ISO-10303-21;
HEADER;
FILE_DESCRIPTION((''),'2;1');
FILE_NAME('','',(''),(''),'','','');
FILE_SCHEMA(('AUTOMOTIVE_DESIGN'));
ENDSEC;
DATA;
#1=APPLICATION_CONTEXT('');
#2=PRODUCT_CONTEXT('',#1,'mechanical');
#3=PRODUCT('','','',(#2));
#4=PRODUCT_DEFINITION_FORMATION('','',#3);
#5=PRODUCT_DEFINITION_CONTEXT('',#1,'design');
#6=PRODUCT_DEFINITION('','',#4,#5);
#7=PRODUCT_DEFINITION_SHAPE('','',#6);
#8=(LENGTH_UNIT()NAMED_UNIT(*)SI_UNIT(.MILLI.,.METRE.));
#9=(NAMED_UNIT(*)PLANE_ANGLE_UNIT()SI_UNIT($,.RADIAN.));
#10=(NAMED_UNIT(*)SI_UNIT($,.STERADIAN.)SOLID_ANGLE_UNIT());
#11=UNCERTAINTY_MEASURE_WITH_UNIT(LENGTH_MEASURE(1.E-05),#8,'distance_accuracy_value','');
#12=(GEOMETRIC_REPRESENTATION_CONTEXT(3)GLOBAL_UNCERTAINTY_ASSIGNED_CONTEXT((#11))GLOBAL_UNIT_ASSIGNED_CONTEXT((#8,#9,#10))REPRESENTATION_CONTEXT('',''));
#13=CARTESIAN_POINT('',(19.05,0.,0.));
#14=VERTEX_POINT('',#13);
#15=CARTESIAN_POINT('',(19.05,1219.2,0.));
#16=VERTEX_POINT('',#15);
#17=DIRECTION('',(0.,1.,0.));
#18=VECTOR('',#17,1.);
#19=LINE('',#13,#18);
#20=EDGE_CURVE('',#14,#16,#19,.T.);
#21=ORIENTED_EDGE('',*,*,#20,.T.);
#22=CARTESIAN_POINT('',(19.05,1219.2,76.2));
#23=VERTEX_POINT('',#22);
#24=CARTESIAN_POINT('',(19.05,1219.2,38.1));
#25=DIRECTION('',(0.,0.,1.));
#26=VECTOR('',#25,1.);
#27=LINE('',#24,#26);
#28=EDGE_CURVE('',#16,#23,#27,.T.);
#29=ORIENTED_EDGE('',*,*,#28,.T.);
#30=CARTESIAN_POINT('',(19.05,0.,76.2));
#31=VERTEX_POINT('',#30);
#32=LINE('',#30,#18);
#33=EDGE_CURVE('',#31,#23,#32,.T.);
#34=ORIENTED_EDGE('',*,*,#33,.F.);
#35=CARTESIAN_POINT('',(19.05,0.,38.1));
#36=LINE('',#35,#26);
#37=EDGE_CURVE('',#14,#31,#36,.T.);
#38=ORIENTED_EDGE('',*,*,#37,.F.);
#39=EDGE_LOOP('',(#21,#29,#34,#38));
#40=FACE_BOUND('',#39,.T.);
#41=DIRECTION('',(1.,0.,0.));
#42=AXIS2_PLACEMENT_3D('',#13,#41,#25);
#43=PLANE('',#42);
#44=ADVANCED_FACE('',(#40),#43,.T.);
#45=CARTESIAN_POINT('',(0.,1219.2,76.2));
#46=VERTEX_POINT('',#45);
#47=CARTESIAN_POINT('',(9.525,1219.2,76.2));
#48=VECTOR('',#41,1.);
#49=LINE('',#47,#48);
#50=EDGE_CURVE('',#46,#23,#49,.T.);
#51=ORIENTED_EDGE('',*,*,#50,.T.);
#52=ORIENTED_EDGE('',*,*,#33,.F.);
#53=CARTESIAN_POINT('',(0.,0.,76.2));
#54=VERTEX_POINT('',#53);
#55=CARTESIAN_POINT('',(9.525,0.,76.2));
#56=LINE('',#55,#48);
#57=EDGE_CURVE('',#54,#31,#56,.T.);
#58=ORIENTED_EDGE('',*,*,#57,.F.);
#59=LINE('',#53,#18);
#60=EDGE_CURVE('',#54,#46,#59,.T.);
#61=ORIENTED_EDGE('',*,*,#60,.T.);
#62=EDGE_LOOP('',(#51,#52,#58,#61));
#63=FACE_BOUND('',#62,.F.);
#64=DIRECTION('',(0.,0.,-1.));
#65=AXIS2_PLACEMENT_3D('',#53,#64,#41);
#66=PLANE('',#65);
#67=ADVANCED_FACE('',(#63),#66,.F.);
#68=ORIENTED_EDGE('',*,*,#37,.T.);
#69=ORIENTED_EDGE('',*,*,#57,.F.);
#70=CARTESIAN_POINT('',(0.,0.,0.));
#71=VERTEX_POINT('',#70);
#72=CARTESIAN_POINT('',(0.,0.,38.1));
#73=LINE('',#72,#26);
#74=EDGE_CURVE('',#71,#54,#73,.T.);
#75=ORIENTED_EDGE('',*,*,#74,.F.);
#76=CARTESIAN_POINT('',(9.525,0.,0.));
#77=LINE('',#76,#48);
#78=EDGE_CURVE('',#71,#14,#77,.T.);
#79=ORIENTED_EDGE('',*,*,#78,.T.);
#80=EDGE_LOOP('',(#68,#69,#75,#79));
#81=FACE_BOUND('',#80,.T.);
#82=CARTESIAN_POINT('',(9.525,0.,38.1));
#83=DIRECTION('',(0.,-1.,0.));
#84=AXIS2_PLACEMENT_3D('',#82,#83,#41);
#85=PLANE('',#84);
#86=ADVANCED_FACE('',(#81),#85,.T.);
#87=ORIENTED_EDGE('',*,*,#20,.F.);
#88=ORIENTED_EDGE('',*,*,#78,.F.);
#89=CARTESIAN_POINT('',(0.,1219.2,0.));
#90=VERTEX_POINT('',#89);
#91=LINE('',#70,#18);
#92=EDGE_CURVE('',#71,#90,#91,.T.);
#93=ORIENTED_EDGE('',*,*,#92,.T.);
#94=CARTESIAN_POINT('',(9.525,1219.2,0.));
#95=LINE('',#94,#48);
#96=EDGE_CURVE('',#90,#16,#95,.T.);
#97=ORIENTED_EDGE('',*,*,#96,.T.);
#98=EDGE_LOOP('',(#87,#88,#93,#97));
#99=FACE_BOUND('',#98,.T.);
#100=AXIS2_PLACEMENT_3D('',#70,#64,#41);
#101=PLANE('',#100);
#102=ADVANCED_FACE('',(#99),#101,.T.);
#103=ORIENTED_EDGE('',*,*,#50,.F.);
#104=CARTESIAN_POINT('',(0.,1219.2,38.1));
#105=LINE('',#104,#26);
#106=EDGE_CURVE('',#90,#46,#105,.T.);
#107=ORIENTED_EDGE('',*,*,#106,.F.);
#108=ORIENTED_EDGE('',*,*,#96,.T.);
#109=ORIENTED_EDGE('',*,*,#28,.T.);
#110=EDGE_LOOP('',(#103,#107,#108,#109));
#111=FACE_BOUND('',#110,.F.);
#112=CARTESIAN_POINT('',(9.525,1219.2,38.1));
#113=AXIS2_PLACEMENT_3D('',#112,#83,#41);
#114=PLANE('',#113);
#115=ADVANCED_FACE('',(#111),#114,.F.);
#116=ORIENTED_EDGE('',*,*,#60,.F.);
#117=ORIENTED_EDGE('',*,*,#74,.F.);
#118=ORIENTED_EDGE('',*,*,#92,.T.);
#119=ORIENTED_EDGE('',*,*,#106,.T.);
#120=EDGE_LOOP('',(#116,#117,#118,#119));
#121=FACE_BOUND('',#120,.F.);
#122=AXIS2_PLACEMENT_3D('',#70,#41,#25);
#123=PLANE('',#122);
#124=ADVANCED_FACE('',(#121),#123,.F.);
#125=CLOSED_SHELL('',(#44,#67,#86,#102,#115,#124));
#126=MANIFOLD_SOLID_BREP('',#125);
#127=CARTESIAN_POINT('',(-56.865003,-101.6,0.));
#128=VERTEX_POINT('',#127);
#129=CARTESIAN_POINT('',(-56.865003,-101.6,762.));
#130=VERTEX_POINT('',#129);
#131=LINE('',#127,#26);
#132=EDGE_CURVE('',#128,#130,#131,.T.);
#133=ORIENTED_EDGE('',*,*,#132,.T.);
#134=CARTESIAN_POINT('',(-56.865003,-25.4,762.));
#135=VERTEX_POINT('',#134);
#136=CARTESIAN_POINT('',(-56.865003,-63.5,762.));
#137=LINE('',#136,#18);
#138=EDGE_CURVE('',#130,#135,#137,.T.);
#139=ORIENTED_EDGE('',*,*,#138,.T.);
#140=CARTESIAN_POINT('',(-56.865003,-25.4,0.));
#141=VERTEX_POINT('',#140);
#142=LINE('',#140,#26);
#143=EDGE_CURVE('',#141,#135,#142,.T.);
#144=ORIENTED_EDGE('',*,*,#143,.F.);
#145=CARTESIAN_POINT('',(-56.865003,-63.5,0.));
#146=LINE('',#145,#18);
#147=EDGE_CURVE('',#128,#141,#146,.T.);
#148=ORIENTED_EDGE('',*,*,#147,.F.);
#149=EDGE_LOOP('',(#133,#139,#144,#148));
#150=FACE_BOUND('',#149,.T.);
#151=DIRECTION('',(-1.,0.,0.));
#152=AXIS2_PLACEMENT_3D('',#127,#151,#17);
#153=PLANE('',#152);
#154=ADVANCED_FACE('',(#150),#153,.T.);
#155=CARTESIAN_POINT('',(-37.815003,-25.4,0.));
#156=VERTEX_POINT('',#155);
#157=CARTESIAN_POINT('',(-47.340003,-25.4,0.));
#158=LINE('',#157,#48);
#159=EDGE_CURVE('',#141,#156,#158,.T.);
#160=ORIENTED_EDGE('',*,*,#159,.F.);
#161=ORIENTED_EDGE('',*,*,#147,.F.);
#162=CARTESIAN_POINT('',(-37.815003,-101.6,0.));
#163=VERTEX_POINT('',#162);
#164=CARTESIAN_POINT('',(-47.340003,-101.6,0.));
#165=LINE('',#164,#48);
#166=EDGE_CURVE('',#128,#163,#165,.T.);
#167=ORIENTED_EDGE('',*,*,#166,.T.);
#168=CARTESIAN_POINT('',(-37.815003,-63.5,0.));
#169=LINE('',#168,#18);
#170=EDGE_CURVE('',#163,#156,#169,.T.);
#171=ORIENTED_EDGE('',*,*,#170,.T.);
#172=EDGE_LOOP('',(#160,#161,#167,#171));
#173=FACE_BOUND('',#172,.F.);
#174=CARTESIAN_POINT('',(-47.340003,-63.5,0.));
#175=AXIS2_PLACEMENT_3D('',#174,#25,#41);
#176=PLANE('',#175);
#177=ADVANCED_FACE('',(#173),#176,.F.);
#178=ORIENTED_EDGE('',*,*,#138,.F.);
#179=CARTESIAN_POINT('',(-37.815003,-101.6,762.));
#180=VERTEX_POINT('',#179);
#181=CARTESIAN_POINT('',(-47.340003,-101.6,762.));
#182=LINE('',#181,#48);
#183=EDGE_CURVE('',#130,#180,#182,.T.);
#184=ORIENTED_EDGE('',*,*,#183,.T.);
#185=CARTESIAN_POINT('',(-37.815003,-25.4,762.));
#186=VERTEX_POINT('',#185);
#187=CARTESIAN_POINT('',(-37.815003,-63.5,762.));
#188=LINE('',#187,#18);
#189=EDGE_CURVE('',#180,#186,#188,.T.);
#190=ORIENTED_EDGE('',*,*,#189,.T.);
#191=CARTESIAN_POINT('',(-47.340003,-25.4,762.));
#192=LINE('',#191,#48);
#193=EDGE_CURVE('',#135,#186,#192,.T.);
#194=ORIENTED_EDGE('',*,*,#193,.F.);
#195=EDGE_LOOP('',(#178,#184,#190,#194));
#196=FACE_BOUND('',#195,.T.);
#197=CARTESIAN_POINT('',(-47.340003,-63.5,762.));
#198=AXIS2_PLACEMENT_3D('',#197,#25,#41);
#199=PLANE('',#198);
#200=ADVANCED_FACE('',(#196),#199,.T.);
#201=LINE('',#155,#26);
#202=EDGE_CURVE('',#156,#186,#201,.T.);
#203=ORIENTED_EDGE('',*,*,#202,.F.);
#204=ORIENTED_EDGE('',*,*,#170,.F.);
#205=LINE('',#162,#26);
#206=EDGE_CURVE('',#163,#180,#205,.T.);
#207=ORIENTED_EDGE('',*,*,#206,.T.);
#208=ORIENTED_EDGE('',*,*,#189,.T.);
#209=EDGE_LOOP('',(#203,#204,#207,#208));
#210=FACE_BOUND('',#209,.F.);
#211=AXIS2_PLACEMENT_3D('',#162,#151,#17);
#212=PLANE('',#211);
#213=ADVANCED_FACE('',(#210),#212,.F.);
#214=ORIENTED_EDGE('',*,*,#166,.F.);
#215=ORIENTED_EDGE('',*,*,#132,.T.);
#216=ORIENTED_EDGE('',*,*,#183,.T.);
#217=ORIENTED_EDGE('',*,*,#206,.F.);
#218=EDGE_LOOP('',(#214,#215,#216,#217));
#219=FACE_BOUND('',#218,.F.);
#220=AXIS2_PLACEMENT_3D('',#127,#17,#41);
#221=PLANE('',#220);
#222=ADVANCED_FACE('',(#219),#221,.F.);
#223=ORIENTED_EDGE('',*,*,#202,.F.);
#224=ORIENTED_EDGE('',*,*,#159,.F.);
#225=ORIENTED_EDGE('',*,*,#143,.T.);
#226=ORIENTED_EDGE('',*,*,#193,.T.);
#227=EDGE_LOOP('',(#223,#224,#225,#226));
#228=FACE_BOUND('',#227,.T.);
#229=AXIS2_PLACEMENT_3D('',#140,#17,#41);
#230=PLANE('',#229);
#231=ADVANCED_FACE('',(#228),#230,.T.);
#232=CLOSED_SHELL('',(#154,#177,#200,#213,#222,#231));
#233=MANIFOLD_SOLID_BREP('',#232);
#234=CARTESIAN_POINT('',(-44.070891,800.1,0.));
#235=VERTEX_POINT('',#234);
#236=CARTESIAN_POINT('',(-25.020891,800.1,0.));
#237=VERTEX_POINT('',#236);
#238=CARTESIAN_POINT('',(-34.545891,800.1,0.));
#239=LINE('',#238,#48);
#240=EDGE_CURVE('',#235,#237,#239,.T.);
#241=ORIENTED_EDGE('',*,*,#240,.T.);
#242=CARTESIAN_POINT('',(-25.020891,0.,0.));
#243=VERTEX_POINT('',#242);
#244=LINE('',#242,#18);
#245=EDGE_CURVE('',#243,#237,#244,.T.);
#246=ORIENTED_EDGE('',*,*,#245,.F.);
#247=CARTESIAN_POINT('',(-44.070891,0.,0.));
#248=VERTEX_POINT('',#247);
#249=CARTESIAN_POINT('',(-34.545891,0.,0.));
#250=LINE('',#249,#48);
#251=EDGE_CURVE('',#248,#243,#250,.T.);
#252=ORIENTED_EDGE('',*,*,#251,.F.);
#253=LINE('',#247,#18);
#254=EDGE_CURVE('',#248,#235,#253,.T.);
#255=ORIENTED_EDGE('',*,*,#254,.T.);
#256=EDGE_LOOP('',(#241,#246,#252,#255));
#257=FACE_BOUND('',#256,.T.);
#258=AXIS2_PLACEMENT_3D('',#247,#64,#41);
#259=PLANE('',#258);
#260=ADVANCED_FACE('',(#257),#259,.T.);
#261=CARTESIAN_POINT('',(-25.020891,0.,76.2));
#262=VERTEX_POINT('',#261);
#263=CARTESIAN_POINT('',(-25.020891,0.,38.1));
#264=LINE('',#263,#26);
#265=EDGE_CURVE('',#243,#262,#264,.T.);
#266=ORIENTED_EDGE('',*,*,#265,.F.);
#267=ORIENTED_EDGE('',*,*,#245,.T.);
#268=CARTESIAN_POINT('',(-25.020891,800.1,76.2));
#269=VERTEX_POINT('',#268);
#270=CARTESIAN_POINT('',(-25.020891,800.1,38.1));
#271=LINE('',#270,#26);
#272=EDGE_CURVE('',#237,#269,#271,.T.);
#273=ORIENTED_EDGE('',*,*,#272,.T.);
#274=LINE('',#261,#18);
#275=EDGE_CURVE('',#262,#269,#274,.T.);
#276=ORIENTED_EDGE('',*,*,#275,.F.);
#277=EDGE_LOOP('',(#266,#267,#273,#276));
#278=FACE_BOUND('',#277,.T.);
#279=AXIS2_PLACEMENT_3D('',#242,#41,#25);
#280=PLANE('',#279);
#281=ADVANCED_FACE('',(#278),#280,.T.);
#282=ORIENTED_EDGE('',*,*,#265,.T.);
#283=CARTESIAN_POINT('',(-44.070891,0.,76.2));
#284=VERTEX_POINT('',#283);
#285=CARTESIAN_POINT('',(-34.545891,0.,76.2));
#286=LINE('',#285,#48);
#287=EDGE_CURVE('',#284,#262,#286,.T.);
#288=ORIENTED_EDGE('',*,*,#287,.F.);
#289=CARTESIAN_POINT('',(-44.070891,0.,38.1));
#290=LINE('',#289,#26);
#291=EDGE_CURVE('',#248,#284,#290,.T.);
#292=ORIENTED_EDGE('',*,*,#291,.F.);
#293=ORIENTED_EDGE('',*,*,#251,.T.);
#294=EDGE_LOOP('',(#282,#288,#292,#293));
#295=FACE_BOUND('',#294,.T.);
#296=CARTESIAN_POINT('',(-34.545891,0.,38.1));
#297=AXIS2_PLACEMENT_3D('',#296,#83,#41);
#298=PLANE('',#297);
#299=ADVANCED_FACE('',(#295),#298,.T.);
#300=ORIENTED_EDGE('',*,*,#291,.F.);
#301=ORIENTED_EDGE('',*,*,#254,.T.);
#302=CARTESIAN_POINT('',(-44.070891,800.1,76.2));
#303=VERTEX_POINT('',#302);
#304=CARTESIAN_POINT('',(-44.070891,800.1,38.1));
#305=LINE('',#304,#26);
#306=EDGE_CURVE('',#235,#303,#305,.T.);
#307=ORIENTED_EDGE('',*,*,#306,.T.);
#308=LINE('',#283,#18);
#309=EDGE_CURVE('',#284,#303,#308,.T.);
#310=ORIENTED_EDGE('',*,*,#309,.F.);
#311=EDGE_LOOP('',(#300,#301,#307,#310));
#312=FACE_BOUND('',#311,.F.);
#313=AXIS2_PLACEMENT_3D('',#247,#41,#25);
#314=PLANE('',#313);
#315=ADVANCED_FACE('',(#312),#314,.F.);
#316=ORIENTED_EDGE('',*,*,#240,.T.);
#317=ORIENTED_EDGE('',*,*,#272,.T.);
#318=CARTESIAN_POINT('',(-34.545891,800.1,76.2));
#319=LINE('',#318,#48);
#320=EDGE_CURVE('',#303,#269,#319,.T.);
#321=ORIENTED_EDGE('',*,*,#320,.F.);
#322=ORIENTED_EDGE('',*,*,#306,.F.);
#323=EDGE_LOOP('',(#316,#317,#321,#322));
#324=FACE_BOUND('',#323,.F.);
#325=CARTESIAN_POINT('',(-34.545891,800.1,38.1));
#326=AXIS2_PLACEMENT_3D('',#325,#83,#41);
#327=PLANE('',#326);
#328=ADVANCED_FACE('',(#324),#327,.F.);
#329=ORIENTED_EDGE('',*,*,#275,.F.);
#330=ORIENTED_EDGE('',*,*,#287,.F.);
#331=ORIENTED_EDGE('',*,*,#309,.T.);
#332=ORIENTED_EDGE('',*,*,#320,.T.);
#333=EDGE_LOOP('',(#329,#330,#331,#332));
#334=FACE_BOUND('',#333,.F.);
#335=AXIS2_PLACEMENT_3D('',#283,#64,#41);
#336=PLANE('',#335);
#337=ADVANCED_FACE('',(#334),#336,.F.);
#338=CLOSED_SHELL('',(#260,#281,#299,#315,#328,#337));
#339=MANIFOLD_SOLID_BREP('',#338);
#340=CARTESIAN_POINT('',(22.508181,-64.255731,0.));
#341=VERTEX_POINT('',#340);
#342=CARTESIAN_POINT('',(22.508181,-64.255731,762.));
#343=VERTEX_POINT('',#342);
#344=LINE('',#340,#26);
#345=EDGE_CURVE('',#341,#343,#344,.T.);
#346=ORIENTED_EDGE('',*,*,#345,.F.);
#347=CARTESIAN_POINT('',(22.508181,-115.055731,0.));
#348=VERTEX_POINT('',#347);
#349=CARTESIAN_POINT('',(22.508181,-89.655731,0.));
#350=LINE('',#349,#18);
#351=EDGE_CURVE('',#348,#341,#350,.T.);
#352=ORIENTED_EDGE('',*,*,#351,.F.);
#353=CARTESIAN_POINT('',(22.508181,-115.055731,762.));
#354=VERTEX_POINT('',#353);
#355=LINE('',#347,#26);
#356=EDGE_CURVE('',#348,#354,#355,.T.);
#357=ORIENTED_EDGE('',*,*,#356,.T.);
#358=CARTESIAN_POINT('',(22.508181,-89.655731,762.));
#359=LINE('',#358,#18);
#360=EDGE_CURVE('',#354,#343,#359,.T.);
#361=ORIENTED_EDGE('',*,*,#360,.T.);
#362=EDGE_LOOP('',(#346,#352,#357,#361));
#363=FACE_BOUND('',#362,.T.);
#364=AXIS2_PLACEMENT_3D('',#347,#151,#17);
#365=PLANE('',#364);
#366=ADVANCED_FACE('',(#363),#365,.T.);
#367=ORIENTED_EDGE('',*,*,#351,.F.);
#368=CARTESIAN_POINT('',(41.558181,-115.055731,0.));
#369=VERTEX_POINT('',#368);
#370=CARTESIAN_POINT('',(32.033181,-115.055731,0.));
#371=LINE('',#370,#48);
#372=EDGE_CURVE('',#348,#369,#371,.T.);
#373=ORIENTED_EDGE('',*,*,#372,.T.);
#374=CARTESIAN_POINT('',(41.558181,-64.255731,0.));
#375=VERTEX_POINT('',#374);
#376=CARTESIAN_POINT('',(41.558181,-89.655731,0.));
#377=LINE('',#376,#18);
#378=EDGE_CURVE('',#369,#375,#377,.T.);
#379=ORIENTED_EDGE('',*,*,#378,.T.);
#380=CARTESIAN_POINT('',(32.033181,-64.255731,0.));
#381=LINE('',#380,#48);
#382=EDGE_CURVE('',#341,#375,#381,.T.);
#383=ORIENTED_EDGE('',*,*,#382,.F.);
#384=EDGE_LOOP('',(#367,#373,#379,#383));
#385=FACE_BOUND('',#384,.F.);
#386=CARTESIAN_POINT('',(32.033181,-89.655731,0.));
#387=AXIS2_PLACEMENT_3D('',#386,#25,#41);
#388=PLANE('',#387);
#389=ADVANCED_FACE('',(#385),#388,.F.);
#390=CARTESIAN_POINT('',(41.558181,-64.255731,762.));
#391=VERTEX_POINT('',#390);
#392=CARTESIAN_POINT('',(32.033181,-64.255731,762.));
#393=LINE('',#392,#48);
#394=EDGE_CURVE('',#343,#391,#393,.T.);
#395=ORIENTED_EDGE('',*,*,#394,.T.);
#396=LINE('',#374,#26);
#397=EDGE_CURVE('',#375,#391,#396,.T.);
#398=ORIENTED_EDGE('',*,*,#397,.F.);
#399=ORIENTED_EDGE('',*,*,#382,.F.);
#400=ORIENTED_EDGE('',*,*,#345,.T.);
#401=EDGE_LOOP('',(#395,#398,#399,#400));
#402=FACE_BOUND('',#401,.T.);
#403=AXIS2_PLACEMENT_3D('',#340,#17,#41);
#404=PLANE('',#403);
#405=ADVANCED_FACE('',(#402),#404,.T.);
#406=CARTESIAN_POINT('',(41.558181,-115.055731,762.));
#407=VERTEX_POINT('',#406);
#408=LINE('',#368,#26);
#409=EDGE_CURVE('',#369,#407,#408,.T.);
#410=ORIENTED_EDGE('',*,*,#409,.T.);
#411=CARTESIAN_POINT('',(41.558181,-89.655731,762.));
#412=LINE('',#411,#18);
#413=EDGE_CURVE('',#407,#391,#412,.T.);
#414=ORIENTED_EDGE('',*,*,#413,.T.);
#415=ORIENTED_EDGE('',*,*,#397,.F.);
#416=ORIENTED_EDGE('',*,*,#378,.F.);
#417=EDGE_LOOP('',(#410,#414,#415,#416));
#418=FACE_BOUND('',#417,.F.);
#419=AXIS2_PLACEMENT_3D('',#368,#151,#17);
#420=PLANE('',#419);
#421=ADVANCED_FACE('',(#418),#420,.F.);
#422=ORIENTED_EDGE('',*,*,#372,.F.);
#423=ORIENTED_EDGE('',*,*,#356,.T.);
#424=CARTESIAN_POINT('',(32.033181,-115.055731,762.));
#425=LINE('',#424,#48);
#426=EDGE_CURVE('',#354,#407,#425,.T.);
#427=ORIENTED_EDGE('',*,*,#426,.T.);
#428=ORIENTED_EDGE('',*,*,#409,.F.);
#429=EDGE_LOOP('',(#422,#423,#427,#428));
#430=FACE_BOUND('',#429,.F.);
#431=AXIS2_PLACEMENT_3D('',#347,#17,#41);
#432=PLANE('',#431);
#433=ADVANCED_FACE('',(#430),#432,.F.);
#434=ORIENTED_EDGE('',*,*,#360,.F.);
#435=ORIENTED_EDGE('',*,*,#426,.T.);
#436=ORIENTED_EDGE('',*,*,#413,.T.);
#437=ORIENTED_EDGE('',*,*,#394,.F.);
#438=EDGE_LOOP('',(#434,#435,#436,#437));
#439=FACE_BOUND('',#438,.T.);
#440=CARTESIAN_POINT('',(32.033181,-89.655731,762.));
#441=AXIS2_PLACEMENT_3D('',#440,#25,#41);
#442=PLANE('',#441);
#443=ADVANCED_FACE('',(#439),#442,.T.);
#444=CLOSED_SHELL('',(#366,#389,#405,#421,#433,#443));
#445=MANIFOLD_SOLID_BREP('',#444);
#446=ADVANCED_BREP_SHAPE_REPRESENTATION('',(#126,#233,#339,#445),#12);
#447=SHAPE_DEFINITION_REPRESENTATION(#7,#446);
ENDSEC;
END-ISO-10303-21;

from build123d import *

# Parameters (mm, degrees)
F0_W     = 19.05
F0_H     = 76.2
F1_DEPTH = 1219.2
F2_W     = 19.05
F2_H     = 76.2
F3_DEPTH = 800.1
F4_W     = 19.05
F4_H     = 76.2
F5_DEPTH = 762
F6_W     = 19.05
F6_H     = 50.8
F7_DEPTH = 762


with BuildPart() as f1:
    # F0 (on Front) → F1 (new body)
    with BuildSketch(Plane.XZ):
        with Locations((9.525, 38.1)):
            Rectangle(F0_W, F0_H)
    extrude(amount=-F1_DEPTH)


with BuildPart() as f3:
    # F2 (on Front) → F3 (new body)
    with BuildSketch(Plane.XZ):
        with Locations((-34.545891, 38.1)):
            Rectangle(F2_W, F2_H)
    extrude(amount=-F3_DEPTH)


with BuildPart() as f5:
    # F4 (on Top) → F5 (new body)
    with BuildSketch(Plane.XY):
        with Locations((-47.340003, -63.5)):
            Rectangle(F4_W, F4_H)
    extrude(amount=F5_DEPTH)


with BuildPart() as f7:
    # F6 (on Top) → F7 (new body)
    with BuildSketch(Plane.XY):
        with Locations((32.033181, -89.655731)):
            Rectangle(F6_W, F6_H)
    extrude(amount=F7_DEPTH)


solid = Compound([f1.part, f3.part, f5.part, f7.part])
